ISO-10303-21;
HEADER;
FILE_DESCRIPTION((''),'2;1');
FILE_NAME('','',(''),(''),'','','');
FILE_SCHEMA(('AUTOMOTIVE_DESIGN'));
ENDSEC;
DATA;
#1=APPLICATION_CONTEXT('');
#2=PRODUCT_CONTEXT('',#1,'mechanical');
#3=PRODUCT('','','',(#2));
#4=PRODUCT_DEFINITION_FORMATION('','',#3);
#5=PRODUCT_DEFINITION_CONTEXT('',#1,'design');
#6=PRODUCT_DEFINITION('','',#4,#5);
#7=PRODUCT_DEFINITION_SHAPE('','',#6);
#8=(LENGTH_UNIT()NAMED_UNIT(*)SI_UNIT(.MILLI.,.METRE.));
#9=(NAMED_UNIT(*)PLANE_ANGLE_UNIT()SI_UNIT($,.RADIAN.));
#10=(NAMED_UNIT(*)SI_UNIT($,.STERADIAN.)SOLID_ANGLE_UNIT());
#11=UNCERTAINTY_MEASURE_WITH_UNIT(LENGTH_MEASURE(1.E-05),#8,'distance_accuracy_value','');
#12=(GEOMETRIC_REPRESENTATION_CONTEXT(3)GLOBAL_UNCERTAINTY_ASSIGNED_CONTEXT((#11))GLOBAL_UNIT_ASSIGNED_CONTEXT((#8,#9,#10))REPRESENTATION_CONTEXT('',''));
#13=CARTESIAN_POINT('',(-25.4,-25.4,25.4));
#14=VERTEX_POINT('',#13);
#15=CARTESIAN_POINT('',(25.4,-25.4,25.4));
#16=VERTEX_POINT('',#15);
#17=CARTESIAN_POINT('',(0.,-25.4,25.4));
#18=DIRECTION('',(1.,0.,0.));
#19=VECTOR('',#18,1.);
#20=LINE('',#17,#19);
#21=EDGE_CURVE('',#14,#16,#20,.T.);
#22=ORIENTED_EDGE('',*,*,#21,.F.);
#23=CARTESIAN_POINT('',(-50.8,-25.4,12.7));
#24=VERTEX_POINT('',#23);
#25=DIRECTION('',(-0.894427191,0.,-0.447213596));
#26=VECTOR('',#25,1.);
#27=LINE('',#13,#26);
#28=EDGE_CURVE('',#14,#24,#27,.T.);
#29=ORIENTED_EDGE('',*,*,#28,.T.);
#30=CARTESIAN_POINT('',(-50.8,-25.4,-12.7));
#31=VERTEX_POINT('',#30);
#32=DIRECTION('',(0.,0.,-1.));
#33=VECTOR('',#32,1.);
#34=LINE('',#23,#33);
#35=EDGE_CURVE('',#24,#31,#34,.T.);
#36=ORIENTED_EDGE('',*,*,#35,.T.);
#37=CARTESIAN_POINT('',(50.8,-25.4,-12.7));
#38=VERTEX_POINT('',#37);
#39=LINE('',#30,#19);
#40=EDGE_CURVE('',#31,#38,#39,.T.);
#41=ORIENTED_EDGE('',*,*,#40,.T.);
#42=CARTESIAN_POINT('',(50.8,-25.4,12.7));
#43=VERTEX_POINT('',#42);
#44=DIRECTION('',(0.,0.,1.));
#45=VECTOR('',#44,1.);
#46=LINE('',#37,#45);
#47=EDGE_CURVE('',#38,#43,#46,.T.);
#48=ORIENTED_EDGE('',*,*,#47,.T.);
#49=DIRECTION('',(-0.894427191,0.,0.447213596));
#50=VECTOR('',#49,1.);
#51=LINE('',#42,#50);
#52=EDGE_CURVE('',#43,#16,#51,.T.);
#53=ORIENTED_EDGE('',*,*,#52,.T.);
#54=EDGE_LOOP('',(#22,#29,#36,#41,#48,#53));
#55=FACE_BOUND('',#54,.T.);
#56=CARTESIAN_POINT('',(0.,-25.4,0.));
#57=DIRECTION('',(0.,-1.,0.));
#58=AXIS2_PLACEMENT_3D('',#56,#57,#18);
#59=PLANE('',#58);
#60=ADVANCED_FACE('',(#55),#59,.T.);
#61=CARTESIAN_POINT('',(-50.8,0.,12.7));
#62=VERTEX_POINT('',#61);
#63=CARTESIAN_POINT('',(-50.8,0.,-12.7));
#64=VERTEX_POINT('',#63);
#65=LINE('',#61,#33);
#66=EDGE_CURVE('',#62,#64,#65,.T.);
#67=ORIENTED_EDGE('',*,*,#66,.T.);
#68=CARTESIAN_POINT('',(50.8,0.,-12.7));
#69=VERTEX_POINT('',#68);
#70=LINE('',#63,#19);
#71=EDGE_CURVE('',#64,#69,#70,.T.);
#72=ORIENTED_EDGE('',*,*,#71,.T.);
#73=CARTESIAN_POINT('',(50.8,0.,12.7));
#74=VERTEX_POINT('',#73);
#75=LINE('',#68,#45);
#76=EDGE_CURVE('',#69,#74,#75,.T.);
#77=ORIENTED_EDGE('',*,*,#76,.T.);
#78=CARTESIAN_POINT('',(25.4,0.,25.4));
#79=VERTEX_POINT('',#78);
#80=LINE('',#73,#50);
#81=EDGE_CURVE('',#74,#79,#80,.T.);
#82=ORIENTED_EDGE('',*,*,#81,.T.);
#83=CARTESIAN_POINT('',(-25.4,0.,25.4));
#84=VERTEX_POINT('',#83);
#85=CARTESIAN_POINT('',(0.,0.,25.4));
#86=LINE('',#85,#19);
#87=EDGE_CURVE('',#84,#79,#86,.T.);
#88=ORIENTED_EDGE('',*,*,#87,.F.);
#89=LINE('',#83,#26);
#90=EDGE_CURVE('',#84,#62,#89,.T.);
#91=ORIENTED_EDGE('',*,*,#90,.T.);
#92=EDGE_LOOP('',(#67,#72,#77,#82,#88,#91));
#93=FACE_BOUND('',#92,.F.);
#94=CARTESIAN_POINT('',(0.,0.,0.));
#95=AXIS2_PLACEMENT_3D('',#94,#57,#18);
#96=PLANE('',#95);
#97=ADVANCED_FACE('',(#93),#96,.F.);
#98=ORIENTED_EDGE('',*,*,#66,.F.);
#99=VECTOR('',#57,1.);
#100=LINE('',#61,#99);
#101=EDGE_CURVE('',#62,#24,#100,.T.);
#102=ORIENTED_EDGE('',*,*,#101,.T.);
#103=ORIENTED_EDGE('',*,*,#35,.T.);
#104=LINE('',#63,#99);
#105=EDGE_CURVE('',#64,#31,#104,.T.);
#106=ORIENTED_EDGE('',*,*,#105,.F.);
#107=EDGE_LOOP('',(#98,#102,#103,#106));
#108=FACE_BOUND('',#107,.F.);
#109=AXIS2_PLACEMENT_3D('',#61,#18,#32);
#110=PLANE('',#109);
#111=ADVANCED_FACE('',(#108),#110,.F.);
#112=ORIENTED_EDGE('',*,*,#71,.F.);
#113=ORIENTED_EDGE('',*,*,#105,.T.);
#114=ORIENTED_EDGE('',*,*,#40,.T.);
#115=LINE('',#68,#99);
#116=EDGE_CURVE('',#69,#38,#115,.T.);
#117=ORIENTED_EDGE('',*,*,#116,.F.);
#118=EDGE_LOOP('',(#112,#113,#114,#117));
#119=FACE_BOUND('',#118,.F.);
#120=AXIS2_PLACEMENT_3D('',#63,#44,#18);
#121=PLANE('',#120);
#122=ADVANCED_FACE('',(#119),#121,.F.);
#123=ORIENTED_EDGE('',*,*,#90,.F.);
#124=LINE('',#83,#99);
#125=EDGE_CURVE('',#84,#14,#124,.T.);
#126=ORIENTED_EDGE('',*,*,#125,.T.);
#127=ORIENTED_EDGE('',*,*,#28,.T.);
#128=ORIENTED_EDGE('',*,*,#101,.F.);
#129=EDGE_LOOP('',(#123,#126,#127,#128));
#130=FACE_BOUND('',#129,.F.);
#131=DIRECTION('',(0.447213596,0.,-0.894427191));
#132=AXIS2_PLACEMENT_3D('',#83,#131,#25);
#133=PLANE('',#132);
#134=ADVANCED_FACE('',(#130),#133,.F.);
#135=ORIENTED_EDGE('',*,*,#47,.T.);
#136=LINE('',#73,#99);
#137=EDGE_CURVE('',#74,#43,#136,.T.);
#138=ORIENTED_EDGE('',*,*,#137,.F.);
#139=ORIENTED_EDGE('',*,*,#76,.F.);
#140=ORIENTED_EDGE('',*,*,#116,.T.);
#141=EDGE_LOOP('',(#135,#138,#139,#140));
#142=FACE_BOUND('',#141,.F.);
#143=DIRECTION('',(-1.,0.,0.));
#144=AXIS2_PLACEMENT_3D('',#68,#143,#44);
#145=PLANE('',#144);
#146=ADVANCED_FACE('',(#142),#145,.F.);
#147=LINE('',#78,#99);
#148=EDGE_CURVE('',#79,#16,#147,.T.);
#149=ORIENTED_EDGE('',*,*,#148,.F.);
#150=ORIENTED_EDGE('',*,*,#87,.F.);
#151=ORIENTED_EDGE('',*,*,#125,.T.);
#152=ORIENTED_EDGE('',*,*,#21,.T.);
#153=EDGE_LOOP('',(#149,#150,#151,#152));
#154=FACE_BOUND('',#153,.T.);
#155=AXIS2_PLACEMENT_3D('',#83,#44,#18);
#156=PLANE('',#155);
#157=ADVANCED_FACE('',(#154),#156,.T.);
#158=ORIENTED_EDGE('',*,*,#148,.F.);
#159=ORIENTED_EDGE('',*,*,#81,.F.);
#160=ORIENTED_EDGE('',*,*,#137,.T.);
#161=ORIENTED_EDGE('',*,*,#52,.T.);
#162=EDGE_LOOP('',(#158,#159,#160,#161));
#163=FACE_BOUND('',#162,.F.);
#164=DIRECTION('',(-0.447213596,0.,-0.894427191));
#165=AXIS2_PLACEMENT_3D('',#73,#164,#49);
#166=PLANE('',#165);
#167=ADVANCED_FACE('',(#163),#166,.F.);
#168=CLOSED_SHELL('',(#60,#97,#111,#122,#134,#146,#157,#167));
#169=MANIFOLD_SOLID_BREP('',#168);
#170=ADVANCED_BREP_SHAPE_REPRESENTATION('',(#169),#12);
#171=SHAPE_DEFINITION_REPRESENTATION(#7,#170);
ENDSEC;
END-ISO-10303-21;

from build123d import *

# Parameters (mm, degrees)
F0_W     = 50.8
F0_H     = 12.7
F1_DEPTH = 25.4


with BuildPart() as f1:
    # F0 (on Front) → F1 (new body)
    with BuildSketch(Plane.XZ):
        Polygon((-50.8, -12.7), (50.8, -12.7), (50.8, 12.7), (25.4, 12.7), (-25.4, 12.7), (-50.8, 12.7), align=None)
        Polygon((25.4, 12.7), (50.8, 12.7), (25.4, 25.4), align=None)
        Polygon((-25.4, 25.4), (-50.8, 12.7), (-25.4, 12.7), align=None)
        with Locations((0, 19.05)):
            Rectangle(F0_W, F0_H)
    extrude(amount=F1_DEPTH)


solid = f1.part
